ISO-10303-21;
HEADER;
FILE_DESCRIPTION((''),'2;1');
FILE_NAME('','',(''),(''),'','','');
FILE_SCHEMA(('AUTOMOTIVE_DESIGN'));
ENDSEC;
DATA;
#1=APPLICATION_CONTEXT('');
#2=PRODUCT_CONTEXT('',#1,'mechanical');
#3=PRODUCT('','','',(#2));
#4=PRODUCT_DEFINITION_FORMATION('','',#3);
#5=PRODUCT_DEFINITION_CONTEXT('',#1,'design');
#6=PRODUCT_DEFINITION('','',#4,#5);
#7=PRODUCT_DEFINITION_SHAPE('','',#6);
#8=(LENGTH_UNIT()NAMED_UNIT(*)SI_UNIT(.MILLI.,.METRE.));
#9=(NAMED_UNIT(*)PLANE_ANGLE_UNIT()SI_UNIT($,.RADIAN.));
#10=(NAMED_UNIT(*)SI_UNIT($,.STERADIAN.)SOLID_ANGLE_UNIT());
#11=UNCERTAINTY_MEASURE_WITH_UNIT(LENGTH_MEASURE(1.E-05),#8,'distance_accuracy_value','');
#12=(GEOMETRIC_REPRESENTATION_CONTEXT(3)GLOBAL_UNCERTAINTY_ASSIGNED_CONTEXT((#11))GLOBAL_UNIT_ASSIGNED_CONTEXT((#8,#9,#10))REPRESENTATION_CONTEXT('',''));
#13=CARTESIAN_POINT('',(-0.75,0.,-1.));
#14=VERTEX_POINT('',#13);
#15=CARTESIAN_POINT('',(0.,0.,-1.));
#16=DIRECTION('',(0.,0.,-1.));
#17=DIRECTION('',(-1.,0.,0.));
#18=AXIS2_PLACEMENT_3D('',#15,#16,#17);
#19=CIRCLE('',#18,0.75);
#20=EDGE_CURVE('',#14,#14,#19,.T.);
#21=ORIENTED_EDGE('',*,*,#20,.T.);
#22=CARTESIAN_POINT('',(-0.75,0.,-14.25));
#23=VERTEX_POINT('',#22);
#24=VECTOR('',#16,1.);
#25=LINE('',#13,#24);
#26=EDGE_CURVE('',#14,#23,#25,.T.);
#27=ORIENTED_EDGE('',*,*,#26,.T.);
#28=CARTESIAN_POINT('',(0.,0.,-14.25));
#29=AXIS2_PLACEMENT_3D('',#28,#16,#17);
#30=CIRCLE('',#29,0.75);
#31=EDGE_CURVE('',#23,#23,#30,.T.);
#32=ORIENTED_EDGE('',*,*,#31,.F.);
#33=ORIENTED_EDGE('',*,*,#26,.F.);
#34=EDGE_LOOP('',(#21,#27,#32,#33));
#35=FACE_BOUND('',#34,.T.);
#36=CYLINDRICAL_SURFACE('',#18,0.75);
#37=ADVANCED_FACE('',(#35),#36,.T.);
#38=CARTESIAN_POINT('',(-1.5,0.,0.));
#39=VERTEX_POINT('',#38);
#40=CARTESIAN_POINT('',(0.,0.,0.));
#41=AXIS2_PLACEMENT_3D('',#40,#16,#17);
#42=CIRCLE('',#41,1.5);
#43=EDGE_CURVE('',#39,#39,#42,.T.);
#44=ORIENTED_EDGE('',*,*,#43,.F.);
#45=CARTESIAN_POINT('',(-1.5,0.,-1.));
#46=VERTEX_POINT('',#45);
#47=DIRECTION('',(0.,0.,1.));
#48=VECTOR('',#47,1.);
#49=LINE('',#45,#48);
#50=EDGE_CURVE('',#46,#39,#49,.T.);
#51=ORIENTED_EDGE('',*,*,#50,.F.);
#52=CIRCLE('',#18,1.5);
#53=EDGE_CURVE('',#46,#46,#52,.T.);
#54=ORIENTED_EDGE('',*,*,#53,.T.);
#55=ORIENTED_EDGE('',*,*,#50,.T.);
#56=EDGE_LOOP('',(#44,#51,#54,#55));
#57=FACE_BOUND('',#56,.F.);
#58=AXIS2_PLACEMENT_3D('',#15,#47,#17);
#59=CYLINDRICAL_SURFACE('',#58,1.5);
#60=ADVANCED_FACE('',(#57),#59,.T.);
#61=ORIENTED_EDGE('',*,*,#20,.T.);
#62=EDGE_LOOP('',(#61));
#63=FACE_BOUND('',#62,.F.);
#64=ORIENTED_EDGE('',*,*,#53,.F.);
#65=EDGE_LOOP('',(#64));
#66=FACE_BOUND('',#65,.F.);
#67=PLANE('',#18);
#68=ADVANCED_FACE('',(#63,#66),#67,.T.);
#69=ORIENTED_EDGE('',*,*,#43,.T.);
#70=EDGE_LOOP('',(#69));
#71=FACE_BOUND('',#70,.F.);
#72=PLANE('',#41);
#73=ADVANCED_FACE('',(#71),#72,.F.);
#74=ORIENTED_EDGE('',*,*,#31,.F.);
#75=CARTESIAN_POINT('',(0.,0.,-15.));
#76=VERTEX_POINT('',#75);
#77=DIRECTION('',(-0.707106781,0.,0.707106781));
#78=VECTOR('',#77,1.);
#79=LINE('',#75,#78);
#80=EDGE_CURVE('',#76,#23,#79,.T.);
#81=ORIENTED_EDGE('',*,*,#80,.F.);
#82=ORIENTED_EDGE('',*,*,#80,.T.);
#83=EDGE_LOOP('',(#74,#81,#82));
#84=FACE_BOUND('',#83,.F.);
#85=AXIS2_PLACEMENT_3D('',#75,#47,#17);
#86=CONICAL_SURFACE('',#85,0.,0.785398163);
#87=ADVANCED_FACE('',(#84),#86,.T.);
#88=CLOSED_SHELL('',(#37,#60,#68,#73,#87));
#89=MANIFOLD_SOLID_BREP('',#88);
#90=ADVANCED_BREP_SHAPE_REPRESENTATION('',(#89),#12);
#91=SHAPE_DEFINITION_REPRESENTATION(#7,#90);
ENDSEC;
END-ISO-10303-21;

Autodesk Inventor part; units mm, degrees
ref_plane "YZ Plane" through (0, 0, 0) normal (1, 0, 0) x (0, 1, 0)
ref_plane "XZ Plane" through (0, 0, 0) normal (0, 1, 0) x (-1, 0, 0)
ref_plane "XY Plane" through (0, 0, 0) normal (0, 0, 1) x (1, 0, 0)
sketch "Sketch1" plane through (0, 0, 0) normal (0, 1, 0) x (-1, 0, 0)
  line L0 (0, 0) -> (0, -15)
  line L1 (0.75, -1) -> (1.5, -1)
  line L2 (1.5, -1) -> (1.5, 0)
  line L3 (1.5, 0) -> (0, 0)
  line L4 (0, -15) -> (0.75, -14.25)
  line L5 (0.75, -1) -> (0.75, -14.25)
  dimension "d230" = 1
  dimension "d231" = 3
  dimension "d232" = 45
  dimension "d233" = 14
  dimension "d234" = 1.5
revolve "Revolution1" add sketch "Sketch1" angle 360 about axis through (0, 0, 0) along (0, 0, -1)
properties part number "Langbektang houder" material "Steel, Mild"
